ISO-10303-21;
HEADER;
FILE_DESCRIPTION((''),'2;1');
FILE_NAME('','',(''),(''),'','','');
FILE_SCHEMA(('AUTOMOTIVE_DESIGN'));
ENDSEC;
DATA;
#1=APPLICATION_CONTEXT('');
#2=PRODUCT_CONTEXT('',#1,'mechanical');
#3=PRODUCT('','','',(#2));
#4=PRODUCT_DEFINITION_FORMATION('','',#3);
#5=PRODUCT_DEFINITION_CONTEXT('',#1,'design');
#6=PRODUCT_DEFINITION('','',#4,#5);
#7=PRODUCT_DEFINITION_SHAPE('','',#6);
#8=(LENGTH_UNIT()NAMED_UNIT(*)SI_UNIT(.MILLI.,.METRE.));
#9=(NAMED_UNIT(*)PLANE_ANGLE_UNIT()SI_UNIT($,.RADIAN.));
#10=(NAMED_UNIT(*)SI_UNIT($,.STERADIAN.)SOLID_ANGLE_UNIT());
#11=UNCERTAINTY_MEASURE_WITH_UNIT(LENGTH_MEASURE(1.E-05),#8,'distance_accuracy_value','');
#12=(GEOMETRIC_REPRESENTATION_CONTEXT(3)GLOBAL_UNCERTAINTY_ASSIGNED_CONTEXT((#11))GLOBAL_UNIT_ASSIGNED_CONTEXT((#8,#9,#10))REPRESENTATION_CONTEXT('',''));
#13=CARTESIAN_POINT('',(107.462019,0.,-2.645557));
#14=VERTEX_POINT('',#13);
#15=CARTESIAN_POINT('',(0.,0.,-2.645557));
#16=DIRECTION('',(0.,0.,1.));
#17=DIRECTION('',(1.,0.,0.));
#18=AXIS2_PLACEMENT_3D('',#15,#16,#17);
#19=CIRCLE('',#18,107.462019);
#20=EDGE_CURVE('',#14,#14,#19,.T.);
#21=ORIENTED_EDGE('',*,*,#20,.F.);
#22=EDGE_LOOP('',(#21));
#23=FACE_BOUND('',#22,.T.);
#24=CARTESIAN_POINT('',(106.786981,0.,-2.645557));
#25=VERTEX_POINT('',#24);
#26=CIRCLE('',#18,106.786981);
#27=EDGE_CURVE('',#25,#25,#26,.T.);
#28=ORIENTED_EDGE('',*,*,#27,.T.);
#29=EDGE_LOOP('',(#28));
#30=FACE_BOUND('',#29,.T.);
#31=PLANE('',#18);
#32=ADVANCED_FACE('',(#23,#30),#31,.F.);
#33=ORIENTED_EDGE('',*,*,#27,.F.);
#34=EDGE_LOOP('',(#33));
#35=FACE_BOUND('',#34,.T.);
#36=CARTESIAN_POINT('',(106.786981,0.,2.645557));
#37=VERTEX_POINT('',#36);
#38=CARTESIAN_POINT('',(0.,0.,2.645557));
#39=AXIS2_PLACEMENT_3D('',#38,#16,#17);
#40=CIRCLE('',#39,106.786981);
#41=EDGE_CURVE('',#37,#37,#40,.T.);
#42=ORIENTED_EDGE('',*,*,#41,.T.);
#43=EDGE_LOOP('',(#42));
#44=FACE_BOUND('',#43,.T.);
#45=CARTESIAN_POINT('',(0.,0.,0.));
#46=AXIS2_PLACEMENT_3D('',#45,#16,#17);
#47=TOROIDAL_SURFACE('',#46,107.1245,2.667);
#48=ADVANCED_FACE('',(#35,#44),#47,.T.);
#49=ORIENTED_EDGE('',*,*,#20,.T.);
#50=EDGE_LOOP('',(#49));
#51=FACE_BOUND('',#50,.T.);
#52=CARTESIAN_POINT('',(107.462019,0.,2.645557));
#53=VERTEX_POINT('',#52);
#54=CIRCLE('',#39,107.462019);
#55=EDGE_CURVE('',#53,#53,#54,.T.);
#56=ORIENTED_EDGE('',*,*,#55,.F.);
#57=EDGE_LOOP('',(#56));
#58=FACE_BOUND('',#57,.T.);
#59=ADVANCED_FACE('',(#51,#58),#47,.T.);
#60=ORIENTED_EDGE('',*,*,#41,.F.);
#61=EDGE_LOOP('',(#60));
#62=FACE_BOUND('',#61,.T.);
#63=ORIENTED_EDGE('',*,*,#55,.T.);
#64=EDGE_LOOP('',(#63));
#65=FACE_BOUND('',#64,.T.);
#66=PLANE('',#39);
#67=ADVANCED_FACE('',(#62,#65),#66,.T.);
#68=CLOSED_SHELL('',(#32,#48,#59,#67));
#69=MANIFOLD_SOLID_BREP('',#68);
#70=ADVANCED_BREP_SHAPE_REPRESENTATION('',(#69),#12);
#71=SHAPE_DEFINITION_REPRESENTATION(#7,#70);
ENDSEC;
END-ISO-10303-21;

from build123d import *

# Parameters (mm, degrees)
SKETCH1_W = 0.675038158
SKETCH1_H = 5.291113256


with BuildPart() as part:
    # Sketch1 → Revolve1 (revolve)
    with BuildSketch(Plane(origin=(0, 0, 0), x_dir=(0, -1, 0), z_dir=(1, 0, 0)), mode=Mode.PRIVATE) as revolve1_sk:
        with BuildLine():
            ThreePointArc((106.786980921, 2.645556628), (104.4575, 0), (106.786980921, -2.645556628))
            Line((106.786980921, -2.645556628), (106.786980921, 2.645556628))
        make_face()
        with Locations((107.1245, 0)):
            Rectangle(SKETCH1_W, SKETCH1_H)
        with BuildLine():
            Line((107.462019079, 2.645556628), (107.462019079, -2.645556628))
            ThreePointArc((107.462019079, -2.645556628), (109.126130883, -1.762487676), (109.7915, 0))
            ThreePointArc((109.7915, 0), (109.126130883, 1.762487676), (107.462019079, 2.645556628))
        make_face()
    revolve(revolve1_sk.sketch.rotate(Axis((0, 0, 2.667), (0, 0, -1)), 270), axis=Axis((0, 0, 2.667), (0, 0, -1)))


solid = part.part
